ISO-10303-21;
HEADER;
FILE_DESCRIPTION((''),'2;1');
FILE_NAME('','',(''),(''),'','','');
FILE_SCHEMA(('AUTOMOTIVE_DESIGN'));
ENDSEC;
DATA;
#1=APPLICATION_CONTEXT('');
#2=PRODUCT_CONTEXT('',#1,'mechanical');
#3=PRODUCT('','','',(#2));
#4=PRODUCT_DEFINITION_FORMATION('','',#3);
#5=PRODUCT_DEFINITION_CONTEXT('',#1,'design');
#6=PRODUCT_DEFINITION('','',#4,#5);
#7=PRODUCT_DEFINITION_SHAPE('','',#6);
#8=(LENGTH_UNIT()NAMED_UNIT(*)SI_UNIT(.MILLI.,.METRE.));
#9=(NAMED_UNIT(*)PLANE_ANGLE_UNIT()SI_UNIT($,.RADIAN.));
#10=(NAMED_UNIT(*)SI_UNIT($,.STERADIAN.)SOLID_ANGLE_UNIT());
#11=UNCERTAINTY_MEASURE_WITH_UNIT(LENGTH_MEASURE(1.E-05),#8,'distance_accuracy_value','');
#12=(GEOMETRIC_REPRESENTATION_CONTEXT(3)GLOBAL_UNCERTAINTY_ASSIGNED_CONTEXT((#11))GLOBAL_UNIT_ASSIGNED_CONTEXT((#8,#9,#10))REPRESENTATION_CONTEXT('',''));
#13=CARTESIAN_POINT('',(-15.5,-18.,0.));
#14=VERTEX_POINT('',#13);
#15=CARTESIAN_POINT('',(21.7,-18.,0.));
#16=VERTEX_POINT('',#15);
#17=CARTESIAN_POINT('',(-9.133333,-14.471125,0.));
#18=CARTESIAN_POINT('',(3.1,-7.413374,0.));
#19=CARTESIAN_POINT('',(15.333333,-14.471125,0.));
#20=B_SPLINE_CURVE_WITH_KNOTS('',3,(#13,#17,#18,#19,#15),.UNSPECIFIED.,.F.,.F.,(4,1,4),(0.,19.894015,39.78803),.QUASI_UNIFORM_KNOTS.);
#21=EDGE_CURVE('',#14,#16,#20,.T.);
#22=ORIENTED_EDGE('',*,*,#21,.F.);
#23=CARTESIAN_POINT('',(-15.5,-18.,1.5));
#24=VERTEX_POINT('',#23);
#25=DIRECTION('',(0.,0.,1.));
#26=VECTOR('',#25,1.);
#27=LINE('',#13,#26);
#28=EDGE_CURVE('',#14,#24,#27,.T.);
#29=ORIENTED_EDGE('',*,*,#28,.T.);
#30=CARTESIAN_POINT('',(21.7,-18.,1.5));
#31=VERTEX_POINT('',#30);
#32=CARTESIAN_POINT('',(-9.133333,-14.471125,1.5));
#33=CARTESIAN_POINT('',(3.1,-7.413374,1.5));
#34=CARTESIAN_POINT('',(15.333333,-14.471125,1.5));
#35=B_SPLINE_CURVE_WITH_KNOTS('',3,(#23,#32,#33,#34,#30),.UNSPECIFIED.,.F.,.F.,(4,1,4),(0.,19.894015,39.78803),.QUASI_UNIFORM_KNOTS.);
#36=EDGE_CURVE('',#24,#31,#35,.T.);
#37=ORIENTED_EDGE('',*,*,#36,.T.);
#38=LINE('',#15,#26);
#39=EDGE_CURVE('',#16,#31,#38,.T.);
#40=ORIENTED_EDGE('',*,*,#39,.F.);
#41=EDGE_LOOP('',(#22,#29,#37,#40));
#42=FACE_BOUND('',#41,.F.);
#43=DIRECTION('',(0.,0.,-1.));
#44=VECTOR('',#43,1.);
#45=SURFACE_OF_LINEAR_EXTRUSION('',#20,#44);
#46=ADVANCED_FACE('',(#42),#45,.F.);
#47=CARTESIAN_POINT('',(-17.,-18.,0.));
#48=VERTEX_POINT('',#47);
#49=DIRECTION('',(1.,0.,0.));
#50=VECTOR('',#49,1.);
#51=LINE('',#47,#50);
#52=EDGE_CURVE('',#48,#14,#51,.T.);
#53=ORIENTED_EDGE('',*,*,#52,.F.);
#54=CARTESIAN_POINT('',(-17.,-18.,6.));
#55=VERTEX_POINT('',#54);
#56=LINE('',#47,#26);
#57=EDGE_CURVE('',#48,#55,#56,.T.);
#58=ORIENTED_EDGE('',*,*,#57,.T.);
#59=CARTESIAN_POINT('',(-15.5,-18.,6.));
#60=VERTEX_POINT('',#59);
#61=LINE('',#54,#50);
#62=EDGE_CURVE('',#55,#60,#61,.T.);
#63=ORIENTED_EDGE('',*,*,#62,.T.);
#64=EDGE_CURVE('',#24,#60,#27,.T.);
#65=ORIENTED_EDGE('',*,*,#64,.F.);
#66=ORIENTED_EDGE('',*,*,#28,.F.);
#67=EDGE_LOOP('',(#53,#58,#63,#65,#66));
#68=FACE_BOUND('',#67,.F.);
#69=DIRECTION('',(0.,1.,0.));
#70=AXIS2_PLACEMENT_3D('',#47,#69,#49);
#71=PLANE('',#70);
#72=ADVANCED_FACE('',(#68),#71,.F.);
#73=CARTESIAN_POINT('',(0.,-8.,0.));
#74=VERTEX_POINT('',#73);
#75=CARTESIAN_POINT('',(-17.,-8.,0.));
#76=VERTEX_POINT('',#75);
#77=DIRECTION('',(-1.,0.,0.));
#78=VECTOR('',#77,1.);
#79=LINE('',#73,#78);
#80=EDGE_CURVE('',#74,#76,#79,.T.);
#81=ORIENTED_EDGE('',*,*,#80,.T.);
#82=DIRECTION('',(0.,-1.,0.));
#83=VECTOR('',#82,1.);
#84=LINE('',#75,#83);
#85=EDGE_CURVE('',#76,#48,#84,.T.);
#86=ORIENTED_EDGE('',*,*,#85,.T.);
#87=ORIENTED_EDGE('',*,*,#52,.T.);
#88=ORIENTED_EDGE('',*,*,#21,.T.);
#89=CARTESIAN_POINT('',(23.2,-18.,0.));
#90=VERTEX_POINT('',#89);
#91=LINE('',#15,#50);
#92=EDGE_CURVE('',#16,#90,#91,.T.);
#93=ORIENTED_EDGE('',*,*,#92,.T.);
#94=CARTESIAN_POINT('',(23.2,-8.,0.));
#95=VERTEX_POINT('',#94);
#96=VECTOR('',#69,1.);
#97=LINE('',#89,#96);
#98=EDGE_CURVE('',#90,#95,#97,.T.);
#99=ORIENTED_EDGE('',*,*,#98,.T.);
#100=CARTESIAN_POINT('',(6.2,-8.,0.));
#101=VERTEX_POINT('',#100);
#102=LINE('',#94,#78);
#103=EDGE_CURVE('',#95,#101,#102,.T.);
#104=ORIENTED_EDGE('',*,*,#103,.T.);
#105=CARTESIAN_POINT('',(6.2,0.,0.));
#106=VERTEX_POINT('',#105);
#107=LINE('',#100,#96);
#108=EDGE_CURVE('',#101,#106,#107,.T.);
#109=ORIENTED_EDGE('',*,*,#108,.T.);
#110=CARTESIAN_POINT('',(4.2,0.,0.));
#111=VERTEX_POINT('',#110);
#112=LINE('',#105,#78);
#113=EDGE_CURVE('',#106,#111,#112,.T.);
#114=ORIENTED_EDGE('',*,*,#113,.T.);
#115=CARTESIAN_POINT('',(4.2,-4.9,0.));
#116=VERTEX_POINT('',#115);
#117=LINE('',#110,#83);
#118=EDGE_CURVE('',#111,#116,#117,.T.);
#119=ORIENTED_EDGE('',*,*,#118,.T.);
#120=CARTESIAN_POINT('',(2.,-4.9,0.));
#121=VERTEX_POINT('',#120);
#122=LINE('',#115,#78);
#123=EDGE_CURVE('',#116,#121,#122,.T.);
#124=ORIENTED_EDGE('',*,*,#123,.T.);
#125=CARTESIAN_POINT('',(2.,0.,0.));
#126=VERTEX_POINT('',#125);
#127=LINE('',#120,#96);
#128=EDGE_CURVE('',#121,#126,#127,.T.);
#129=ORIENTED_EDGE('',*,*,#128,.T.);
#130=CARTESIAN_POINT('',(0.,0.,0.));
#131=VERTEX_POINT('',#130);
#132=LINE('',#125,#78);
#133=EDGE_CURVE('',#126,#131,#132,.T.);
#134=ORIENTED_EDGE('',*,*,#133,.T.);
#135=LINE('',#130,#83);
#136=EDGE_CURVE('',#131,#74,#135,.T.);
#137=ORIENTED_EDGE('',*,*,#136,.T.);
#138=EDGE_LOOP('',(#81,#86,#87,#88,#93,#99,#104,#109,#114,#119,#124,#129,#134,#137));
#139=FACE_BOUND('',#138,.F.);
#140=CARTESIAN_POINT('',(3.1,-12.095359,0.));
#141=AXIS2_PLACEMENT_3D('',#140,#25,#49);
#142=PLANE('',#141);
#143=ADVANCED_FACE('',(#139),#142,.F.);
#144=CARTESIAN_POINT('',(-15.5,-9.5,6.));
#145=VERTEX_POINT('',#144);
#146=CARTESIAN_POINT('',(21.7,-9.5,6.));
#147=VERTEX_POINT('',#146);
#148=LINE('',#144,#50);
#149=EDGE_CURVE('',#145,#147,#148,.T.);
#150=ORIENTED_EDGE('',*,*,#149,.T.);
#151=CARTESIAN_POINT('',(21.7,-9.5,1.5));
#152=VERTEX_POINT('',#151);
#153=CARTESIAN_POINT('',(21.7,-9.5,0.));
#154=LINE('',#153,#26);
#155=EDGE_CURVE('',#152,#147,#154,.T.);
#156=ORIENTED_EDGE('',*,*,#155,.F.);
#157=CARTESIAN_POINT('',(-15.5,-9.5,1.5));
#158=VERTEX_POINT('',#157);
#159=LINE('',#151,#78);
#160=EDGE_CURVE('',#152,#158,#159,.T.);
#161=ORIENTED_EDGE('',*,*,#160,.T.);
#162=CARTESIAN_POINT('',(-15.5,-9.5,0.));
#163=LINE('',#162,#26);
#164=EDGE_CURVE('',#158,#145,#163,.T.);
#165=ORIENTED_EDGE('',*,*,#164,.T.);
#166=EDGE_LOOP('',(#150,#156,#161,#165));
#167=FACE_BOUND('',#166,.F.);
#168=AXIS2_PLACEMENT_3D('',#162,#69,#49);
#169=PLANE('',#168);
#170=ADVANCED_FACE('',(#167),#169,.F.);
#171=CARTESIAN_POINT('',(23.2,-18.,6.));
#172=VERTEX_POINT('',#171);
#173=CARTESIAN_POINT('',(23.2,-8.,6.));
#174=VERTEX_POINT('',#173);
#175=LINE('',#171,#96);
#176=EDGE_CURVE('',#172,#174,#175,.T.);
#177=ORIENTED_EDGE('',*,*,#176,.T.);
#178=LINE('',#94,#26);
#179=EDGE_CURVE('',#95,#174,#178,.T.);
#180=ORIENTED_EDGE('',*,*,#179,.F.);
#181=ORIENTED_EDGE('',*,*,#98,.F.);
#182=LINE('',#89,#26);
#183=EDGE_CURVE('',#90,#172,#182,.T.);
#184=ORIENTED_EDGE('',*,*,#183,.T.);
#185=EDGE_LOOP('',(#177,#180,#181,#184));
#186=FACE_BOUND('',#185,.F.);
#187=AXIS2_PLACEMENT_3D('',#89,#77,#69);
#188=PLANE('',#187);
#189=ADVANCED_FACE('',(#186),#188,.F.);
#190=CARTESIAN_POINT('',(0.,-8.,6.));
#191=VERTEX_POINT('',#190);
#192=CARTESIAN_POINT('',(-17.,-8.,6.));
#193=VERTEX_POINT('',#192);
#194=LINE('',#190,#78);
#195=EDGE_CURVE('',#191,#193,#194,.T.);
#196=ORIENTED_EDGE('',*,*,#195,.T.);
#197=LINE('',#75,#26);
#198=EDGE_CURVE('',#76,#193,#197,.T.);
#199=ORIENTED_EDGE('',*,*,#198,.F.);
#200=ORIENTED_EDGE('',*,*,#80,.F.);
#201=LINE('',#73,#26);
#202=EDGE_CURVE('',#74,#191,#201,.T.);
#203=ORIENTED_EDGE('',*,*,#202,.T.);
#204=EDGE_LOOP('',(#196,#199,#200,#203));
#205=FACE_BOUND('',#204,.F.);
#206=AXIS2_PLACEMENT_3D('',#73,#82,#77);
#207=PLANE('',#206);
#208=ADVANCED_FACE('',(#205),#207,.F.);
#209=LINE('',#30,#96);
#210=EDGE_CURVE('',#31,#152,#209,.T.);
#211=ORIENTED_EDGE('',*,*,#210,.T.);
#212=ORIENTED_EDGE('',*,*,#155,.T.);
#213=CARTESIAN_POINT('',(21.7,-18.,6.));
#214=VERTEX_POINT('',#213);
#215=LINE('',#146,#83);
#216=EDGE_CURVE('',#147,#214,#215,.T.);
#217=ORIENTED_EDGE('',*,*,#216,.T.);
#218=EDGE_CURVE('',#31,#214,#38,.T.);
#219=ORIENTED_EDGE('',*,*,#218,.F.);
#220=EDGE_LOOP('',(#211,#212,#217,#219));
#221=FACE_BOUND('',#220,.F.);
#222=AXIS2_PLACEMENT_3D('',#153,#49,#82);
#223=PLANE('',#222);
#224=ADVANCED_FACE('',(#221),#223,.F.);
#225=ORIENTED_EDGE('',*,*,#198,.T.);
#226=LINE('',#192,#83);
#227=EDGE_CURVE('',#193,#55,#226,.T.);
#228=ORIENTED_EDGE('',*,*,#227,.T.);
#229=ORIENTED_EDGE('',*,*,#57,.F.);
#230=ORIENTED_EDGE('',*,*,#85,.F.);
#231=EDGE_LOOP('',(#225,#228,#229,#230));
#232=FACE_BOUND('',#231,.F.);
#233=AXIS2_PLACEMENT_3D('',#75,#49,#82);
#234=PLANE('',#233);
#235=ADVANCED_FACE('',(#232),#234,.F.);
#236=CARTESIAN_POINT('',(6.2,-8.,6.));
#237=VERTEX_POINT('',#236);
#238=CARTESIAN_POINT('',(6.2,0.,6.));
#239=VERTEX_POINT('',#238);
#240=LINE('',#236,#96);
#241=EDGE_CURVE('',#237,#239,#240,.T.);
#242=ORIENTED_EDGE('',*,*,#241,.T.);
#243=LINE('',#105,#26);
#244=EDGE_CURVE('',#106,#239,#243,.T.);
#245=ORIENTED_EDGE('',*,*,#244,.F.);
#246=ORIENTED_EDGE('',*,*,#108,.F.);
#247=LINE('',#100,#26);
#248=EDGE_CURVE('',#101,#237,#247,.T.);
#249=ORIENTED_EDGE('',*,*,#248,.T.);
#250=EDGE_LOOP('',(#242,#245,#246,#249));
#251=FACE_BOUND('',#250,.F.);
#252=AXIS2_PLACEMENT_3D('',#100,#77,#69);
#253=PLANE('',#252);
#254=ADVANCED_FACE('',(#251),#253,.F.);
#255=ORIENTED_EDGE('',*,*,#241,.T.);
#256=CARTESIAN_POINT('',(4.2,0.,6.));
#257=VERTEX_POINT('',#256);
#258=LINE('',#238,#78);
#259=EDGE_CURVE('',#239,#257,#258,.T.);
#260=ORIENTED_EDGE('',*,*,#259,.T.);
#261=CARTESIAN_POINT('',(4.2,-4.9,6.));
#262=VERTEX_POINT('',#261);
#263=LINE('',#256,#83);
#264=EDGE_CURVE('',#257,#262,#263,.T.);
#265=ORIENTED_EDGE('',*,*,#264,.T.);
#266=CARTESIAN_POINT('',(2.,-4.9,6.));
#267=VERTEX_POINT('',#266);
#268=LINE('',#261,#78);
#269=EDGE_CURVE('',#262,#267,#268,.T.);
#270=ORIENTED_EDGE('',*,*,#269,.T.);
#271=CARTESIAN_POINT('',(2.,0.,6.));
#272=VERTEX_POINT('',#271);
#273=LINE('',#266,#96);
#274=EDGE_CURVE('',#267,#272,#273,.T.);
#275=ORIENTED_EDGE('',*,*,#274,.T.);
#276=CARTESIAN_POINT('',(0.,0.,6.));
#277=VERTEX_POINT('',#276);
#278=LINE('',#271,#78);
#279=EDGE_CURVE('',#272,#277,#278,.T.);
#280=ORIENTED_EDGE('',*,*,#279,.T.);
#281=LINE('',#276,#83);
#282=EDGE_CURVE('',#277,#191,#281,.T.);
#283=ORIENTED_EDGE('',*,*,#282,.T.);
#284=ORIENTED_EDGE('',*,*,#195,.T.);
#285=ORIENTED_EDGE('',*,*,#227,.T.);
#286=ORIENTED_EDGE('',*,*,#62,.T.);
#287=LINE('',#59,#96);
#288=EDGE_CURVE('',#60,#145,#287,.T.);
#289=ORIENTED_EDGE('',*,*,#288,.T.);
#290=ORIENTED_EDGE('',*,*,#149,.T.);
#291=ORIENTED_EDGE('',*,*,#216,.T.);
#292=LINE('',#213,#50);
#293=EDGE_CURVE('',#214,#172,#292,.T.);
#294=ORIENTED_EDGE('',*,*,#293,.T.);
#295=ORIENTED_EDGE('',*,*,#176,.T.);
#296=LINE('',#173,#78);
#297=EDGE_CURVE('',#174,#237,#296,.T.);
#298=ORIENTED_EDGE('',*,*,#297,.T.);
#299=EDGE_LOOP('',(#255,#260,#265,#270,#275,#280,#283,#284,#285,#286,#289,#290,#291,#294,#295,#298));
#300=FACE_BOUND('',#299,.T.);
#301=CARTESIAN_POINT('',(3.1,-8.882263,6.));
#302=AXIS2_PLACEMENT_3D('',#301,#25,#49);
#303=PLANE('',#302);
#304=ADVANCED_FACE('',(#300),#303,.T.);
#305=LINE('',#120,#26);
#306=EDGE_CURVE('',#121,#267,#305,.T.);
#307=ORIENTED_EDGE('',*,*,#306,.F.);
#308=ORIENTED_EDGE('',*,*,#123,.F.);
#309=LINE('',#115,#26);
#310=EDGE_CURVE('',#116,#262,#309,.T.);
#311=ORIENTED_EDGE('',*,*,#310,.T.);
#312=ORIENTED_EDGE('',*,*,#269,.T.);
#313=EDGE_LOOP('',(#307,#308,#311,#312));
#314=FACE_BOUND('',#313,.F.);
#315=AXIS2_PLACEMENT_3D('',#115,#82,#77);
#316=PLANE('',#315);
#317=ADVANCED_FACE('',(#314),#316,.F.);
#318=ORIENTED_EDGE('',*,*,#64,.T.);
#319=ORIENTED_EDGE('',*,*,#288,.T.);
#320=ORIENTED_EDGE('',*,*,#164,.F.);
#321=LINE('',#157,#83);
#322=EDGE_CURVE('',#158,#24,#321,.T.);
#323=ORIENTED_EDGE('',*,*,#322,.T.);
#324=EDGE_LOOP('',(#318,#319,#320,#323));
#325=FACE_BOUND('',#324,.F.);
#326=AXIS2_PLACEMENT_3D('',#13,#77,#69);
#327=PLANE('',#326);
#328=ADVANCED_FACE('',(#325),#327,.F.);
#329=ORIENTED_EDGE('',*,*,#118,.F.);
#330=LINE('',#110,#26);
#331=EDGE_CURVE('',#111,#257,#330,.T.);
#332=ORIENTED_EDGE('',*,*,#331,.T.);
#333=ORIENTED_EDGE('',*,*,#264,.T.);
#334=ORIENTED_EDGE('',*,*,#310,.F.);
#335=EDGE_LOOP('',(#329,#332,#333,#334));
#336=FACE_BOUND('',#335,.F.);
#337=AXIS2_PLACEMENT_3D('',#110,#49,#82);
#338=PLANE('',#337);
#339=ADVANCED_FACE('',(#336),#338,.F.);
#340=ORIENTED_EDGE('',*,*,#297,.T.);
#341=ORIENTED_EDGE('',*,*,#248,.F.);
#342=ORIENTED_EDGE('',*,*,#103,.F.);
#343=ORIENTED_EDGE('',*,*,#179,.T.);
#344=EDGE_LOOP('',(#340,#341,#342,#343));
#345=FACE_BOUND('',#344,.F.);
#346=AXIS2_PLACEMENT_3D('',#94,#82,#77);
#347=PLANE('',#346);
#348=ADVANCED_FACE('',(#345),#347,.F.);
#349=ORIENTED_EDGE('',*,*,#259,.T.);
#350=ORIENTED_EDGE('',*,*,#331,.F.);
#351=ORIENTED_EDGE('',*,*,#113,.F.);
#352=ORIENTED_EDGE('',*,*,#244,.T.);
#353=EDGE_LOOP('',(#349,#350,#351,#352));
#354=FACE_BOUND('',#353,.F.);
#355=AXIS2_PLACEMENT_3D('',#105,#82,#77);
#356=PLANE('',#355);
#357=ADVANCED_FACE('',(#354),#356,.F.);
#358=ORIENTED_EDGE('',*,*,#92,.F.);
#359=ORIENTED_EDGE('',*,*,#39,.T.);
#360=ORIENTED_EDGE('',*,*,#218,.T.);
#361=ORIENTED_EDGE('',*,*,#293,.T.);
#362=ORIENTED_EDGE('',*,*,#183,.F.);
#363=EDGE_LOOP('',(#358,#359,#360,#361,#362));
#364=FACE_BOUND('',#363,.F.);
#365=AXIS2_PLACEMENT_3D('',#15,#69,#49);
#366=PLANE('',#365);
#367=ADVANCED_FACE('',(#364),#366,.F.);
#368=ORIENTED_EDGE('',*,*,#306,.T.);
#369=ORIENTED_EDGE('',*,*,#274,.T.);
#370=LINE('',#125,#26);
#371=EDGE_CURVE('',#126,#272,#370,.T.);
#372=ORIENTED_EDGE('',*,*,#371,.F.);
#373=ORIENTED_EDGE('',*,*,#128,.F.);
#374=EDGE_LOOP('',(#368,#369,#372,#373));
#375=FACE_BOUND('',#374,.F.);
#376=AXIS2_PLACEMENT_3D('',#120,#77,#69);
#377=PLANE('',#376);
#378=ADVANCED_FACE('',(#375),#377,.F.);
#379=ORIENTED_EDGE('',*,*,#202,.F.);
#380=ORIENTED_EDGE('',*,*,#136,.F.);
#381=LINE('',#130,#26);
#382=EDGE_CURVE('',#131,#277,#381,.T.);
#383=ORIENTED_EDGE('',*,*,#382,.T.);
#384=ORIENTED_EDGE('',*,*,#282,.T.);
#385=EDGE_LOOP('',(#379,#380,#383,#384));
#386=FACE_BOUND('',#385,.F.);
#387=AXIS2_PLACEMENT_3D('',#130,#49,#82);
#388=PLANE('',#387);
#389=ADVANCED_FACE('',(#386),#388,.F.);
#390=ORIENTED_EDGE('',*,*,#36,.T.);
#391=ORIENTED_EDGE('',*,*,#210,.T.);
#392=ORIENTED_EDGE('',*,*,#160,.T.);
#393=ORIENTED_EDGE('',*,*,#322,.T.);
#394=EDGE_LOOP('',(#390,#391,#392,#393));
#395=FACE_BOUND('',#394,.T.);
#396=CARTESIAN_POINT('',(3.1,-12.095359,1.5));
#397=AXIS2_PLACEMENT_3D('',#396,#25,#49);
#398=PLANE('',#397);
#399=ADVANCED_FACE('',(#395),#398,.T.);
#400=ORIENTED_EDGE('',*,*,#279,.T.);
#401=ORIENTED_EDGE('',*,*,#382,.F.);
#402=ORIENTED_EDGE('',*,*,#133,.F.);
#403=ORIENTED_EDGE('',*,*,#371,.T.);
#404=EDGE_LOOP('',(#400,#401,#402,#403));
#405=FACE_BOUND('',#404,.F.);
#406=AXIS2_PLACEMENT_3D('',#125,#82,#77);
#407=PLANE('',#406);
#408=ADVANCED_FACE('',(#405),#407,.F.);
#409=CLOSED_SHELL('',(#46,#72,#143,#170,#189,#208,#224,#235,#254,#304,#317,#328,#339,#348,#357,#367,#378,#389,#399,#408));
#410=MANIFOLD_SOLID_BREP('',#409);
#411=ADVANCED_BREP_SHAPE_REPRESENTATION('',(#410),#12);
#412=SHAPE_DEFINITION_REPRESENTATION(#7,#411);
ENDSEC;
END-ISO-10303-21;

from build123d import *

# Parameters (mm, degrees)
F1_DEPTH = 6
F2_DEPTH = 1.5


with BuildPart() as f1:
    # F0 (on Top) → F1 (new body)
    with BuildSketch(Plane.XY):
        Polygon((2, 0), (0, 0), (0, -8), (-17, -8), (-17, -18), (-15.5, -18), (-15.5, -9.5), (21.7, -9.5), (21.7, -18), (23.2, -18), (23.2, -8), (6.2, -8), (6.2, 0), (4.2, 0), (4.2, -4.9), (2, -4.9), align=None)
    extrude(amount=F1_DEPTH)

    # F0 (on Top) → F2 (join)
    with BuildSketch(Plane.XY):
        with BuildLine():
            Line((-15.5, -9.5), (-15.5, -18))
            add(Edge.make_bspline(
                [(-15.5, -18), (-9.133333, -14.471125), (3.1, -7.413374), (15.333333, -14.471125), (21.7, -18)],
                knots=[0, 0, 0, 0, 19.894015, 39.78803, 39.78803, 39.78803, 39.78803], degree=3))
            Line((21.7, -18), (21.7, -9.5))
            Line((21.7, -9.5), (-15.5, -9.5))
        make_face()
    extrude(amount=F2_DEPTH)


solid = f1.part
